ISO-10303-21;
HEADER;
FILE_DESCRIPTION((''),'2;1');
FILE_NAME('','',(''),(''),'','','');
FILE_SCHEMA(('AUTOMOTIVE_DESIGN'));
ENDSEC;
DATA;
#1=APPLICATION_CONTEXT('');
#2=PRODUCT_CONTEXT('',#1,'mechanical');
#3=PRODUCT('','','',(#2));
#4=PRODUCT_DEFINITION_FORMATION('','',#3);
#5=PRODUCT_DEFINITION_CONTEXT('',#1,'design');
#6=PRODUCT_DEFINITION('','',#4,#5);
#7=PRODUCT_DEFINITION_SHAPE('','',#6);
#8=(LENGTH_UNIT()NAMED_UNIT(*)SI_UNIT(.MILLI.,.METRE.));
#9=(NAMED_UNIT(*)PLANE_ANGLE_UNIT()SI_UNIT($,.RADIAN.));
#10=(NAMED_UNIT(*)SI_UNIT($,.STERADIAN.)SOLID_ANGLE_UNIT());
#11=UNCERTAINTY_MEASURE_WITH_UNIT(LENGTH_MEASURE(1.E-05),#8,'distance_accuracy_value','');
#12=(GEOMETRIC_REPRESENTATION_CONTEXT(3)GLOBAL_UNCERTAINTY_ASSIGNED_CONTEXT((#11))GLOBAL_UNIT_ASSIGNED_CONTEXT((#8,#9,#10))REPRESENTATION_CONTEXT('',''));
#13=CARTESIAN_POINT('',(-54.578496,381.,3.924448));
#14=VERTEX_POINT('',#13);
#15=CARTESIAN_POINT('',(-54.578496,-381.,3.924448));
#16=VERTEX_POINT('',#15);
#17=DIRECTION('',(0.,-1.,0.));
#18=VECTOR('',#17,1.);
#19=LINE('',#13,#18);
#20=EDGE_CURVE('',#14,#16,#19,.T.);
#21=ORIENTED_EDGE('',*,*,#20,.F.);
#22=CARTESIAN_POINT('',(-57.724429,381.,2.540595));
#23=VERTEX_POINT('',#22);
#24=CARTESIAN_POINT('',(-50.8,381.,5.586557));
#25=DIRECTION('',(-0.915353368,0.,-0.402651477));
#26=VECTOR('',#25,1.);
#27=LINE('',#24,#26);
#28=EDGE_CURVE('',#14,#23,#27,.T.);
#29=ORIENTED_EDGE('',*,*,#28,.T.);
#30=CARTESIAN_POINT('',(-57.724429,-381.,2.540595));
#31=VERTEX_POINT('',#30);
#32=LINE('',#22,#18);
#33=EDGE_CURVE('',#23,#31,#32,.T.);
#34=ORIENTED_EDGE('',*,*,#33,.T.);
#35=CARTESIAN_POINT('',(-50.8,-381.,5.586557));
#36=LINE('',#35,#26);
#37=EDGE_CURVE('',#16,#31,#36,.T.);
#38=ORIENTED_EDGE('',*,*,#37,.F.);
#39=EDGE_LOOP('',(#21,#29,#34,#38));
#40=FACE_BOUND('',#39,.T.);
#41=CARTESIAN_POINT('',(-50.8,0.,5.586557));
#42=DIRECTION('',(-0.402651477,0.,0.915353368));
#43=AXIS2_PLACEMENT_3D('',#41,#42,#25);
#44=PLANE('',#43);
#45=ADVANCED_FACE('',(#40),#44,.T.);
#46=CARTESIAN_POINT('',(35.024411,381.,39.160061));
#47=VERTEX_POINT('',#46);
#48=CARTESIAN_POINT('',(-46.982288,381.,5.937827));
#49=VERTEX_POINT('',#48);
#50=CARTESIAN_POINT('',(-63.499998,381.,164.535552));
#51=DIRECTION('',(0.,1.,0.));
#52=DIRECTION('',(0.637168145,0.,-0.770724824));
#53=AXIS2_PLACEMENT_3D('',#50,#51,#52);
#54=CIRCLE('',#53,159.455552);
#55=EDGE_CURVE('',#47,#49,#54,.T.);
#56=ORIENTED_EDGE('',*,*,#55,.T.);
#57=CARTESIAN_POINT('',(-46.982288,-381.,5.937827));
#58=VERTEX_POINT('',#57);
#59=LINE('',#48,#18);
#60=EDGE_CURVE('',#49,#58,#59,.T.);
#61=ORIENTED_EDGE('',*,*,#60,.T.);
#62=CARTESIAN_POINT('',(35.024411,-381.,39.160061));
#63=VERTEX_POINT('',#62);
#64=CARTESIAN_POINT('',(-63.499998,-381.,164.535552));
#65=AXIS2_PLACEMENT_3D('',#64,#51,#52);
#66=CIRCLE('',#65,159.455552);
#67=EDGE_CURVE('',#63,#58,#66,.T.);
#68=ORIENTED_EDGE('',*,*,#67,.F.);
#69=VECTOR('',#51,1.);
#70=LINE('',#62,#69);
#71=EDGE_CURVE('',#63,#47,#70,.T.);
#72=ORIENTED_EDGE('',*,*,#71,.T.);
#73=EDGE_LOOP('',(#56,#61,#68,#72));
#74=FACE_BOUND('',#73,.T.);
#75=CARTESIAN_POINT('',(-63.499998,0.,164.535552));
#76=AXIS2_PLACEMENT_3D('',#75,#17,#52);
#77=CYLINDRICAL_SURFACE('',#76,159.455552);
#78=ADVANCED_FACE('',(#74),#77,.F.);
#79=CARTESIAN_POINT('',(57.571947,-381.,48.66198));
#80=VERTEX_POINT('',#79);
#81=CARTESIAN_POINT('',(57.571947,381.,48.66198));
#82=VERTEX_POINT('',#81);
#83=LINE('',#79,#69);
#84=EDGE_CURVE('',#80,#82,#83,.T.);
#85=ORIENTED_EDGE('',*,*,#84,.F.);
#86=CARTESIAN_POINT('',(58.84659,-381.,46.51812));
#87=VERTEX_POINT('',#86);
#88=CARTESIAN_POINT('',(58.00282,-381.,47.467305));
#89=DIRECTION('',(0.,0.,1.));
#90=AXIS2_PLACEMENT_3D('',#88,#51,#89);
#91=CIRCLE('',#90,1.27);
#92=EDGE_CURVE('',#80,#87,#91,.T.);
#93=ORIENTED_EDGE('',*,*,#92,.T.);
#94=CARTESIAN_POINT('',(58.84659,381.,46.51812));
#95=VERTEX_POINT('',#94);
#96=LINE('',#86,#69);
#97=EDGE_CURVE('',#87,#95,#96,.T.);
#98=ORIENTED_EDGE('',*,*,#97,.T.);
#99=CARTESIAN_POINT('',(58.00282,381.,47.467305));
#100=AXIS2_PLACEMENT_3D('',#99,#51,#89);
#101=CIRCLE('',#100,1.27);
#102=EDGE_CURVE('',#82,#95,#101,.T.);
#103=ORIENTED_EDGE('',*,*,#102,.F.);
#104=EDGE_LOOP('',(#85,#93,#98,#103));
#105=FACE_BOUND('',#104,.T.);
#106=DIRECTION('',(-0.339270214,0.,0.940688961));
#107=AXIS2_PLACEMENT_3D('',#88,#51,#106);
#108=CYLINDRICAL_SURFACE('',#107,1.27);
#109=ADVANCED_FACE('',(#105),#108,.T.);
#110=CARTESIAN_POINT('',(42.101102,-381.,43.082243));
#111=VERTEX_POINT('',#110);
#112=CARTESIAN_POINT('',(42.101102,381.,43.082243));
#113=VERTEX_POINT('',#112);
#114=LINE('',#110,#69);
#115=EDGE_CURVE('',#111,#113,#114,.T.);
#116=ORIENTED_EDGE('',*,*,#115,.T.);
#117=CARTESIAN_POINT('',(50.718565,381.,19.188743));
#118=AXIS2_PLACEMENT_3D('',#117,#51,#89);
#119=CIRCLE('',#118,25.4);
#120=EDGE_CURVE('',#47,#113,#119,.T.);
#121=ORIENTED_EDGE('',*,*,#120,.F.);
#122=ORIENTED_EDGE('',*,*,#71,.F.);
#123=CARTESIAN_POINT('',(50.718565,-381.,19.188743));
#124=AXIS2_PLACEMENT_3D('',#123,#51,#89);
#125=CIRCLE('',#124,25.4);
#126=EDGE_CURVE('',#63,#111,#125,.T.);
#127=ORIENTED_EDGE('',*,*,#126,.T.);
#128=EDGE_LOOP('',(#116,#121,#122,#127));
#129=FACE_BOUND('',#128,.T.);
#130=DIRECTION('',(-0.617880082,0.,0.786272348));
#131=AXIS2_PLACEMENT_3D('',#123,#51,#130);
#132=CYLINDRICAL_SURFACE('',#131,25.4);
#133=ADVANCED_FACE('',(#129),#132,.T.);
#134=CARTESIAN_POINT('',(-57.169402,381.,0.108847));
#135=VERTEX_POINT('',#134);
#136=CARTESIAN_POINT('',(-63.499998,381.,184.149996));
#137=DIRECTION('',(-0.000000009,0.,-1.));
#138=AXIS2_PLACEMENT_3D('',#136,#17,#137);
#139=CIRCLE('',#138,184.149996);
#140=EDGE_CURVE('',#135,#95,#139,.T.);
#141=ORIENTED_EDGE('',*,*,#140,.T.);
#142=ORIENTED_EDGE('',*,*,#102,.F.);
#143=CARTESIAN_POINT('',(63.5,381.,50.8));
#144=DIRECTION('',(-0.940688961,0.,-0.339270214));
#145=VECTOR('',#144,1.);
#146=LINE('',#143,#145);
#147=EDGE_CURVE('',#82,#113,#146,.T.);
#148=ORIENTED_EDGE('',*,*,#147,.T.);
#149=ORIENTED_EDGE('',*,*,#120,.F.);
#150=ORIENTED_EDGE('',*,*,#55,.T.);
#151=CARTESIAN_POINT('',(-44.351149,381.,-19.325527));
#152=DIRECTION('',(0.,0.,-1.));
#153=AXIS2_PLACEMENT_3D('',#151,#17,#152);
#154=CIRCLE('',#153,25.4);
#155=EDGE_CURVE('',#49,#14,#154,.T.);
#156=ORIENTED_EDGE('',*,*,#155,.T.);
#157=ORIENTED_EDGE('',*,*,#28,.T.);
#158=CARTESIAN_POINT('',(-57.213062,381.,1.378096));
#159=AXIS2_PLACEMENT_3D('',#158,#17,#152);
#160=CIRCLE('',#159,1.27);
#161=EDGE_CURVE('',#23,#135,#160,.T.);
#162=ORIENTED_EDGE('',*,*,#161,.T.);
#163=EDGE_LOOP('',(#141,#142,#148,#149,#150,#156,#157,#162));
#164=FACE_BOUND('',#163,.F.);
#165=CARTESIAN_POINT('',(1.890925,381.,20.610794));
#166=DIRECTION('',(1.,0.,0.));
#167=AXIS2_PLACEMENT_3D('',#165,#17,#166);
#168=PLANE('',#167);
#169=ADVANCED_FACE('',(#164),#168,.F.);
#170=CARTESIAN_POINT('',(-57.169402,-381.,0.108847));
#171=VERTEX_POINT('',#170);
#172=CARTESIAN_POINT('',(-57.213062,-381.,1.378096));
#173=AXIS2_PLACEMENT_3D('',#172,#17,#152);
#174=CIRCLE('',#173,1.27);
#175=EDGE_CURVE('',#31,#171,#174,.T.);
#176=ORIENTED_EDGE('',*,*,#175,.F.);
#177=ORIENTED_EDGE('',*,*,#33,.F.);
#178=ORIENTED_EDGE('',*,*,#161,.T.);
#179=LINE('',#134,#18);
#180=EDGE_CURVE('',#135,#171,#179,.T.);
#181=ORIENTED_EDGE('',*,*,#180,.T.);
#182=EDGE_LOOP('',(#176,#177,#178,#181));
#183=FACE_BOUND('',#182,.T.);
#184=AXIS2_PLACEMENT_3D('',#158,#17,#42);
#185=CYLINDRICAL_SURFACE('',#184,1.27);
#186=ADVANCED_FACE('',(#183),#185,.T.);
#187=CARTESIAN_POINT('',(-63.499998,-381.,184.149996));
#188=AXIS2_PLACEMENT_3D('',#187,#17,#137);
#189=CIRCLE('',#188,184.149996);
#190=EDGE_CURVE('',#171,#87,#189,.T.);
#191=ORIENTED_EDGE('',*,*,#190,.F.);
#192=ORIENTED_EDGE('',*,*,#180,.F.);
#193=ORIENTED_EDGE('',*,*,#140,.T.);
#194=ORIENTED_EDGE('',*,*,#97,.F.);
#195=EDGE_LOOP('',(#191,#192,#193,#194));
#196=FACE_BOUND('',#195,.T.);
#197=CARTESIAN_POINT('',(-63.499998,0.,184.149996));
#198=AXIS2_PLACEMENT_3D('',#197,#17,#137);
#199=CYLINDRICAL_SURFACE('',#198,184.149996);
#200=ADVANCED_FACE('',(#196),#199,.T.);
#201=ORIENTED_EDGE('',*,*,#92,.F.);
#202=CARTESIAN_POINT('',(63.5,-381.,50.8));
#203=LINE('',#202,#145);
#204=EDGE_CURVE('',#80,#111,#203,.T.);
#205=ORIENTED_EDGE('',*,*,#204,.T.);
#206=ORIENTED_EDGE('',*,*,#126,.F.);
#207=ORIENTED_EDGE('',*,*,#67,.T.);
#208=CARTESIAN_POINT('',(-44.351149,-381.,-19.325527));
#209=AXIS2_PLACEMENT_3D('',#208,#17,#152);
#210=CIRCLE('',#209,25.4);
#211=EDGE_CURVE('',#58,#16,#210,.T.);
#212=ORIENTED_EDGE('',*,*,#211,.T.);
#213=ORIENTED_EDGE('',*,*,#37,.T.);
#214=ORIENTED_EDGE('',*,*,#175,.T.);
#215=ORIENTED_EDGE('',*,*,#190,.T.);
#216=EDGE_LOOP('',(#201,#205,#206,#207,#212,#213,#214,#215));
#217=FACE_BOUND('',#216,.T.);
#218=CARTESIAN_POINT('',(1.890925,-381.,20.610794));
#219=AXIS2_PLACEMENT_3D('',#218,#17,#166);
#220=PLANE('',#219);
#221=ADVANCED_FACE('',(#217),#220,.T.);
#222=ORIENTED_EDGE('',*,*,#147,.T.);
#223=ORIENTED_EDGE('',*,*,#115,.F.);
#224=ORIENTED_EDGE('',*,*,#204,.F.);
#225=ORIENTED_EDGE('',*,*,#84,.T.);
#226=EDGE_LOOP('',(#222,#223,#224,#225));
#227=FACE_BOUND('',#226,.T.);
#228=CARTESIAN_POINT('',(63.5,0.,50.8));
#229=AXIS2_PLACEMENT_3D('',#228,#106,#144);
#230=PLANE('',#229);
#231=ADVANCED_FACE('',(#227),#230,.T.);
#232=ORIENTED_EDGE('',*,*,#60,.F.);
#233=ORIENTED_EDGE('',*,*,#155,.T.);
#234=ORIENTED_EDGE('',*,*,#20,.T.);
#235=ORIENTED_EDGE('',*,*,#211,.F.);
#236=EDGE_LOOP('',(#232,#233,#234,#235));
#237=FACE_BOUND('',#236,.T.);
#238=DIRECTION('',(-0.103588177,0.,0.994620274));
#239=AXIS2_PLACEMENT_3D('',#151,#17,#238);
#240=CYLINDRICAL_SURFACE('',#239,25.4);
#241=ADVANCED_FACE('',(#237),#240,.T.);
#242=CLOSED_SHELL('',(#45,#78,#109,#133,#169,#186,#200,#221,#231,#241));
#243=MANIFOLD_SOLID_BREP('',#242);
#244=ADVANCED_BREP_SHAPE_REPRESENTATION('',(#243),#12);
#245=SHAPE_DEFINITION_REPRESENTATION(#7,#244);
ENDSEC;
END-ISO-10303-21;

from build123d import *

# Parameters (mm, degrees)
F1_DEPTH = 381
F2_R     = 25.4
F3_R     = 1.27


with BuildPart() as f1:
    # F0 (on Front) → F1 (new body, symmetric)
    with BuildSketch(Plane.XZ):
        with BuildLine():
            ThreePointArc((38.1, 41.6392), (-3.574456, 16.768836), (-50.8, 5.586557))
            Line((-50.8, 5.586557), (-63.5, 0))
            ThreePointArc((-63.5, 0), (4.891593, 13.171017), (63.5, 50.8))
            Line((63.5, 50.8), (38.1, 41.6392))
        make_face()
    extrude(amount=F1_DEPTH, both=True)

    # F2
    f2_edges = [f1.edges().sort_by_distance(p)[0] for p in [
        (38.1, 0, 41.6392),
        (-50.8, 0, 5.586557),
    ]]
    fillet(f2_edges, radius=F2_R)

    # F3
    f3_edges = [f1.edges().sort_by_distance(p)[0] for p in [
        (-63.5, 0, 0),
        (63.5, 0, 50.8),
    ]]
    fillet(f3_edges, radius=F3_R)


solid = f1.part
